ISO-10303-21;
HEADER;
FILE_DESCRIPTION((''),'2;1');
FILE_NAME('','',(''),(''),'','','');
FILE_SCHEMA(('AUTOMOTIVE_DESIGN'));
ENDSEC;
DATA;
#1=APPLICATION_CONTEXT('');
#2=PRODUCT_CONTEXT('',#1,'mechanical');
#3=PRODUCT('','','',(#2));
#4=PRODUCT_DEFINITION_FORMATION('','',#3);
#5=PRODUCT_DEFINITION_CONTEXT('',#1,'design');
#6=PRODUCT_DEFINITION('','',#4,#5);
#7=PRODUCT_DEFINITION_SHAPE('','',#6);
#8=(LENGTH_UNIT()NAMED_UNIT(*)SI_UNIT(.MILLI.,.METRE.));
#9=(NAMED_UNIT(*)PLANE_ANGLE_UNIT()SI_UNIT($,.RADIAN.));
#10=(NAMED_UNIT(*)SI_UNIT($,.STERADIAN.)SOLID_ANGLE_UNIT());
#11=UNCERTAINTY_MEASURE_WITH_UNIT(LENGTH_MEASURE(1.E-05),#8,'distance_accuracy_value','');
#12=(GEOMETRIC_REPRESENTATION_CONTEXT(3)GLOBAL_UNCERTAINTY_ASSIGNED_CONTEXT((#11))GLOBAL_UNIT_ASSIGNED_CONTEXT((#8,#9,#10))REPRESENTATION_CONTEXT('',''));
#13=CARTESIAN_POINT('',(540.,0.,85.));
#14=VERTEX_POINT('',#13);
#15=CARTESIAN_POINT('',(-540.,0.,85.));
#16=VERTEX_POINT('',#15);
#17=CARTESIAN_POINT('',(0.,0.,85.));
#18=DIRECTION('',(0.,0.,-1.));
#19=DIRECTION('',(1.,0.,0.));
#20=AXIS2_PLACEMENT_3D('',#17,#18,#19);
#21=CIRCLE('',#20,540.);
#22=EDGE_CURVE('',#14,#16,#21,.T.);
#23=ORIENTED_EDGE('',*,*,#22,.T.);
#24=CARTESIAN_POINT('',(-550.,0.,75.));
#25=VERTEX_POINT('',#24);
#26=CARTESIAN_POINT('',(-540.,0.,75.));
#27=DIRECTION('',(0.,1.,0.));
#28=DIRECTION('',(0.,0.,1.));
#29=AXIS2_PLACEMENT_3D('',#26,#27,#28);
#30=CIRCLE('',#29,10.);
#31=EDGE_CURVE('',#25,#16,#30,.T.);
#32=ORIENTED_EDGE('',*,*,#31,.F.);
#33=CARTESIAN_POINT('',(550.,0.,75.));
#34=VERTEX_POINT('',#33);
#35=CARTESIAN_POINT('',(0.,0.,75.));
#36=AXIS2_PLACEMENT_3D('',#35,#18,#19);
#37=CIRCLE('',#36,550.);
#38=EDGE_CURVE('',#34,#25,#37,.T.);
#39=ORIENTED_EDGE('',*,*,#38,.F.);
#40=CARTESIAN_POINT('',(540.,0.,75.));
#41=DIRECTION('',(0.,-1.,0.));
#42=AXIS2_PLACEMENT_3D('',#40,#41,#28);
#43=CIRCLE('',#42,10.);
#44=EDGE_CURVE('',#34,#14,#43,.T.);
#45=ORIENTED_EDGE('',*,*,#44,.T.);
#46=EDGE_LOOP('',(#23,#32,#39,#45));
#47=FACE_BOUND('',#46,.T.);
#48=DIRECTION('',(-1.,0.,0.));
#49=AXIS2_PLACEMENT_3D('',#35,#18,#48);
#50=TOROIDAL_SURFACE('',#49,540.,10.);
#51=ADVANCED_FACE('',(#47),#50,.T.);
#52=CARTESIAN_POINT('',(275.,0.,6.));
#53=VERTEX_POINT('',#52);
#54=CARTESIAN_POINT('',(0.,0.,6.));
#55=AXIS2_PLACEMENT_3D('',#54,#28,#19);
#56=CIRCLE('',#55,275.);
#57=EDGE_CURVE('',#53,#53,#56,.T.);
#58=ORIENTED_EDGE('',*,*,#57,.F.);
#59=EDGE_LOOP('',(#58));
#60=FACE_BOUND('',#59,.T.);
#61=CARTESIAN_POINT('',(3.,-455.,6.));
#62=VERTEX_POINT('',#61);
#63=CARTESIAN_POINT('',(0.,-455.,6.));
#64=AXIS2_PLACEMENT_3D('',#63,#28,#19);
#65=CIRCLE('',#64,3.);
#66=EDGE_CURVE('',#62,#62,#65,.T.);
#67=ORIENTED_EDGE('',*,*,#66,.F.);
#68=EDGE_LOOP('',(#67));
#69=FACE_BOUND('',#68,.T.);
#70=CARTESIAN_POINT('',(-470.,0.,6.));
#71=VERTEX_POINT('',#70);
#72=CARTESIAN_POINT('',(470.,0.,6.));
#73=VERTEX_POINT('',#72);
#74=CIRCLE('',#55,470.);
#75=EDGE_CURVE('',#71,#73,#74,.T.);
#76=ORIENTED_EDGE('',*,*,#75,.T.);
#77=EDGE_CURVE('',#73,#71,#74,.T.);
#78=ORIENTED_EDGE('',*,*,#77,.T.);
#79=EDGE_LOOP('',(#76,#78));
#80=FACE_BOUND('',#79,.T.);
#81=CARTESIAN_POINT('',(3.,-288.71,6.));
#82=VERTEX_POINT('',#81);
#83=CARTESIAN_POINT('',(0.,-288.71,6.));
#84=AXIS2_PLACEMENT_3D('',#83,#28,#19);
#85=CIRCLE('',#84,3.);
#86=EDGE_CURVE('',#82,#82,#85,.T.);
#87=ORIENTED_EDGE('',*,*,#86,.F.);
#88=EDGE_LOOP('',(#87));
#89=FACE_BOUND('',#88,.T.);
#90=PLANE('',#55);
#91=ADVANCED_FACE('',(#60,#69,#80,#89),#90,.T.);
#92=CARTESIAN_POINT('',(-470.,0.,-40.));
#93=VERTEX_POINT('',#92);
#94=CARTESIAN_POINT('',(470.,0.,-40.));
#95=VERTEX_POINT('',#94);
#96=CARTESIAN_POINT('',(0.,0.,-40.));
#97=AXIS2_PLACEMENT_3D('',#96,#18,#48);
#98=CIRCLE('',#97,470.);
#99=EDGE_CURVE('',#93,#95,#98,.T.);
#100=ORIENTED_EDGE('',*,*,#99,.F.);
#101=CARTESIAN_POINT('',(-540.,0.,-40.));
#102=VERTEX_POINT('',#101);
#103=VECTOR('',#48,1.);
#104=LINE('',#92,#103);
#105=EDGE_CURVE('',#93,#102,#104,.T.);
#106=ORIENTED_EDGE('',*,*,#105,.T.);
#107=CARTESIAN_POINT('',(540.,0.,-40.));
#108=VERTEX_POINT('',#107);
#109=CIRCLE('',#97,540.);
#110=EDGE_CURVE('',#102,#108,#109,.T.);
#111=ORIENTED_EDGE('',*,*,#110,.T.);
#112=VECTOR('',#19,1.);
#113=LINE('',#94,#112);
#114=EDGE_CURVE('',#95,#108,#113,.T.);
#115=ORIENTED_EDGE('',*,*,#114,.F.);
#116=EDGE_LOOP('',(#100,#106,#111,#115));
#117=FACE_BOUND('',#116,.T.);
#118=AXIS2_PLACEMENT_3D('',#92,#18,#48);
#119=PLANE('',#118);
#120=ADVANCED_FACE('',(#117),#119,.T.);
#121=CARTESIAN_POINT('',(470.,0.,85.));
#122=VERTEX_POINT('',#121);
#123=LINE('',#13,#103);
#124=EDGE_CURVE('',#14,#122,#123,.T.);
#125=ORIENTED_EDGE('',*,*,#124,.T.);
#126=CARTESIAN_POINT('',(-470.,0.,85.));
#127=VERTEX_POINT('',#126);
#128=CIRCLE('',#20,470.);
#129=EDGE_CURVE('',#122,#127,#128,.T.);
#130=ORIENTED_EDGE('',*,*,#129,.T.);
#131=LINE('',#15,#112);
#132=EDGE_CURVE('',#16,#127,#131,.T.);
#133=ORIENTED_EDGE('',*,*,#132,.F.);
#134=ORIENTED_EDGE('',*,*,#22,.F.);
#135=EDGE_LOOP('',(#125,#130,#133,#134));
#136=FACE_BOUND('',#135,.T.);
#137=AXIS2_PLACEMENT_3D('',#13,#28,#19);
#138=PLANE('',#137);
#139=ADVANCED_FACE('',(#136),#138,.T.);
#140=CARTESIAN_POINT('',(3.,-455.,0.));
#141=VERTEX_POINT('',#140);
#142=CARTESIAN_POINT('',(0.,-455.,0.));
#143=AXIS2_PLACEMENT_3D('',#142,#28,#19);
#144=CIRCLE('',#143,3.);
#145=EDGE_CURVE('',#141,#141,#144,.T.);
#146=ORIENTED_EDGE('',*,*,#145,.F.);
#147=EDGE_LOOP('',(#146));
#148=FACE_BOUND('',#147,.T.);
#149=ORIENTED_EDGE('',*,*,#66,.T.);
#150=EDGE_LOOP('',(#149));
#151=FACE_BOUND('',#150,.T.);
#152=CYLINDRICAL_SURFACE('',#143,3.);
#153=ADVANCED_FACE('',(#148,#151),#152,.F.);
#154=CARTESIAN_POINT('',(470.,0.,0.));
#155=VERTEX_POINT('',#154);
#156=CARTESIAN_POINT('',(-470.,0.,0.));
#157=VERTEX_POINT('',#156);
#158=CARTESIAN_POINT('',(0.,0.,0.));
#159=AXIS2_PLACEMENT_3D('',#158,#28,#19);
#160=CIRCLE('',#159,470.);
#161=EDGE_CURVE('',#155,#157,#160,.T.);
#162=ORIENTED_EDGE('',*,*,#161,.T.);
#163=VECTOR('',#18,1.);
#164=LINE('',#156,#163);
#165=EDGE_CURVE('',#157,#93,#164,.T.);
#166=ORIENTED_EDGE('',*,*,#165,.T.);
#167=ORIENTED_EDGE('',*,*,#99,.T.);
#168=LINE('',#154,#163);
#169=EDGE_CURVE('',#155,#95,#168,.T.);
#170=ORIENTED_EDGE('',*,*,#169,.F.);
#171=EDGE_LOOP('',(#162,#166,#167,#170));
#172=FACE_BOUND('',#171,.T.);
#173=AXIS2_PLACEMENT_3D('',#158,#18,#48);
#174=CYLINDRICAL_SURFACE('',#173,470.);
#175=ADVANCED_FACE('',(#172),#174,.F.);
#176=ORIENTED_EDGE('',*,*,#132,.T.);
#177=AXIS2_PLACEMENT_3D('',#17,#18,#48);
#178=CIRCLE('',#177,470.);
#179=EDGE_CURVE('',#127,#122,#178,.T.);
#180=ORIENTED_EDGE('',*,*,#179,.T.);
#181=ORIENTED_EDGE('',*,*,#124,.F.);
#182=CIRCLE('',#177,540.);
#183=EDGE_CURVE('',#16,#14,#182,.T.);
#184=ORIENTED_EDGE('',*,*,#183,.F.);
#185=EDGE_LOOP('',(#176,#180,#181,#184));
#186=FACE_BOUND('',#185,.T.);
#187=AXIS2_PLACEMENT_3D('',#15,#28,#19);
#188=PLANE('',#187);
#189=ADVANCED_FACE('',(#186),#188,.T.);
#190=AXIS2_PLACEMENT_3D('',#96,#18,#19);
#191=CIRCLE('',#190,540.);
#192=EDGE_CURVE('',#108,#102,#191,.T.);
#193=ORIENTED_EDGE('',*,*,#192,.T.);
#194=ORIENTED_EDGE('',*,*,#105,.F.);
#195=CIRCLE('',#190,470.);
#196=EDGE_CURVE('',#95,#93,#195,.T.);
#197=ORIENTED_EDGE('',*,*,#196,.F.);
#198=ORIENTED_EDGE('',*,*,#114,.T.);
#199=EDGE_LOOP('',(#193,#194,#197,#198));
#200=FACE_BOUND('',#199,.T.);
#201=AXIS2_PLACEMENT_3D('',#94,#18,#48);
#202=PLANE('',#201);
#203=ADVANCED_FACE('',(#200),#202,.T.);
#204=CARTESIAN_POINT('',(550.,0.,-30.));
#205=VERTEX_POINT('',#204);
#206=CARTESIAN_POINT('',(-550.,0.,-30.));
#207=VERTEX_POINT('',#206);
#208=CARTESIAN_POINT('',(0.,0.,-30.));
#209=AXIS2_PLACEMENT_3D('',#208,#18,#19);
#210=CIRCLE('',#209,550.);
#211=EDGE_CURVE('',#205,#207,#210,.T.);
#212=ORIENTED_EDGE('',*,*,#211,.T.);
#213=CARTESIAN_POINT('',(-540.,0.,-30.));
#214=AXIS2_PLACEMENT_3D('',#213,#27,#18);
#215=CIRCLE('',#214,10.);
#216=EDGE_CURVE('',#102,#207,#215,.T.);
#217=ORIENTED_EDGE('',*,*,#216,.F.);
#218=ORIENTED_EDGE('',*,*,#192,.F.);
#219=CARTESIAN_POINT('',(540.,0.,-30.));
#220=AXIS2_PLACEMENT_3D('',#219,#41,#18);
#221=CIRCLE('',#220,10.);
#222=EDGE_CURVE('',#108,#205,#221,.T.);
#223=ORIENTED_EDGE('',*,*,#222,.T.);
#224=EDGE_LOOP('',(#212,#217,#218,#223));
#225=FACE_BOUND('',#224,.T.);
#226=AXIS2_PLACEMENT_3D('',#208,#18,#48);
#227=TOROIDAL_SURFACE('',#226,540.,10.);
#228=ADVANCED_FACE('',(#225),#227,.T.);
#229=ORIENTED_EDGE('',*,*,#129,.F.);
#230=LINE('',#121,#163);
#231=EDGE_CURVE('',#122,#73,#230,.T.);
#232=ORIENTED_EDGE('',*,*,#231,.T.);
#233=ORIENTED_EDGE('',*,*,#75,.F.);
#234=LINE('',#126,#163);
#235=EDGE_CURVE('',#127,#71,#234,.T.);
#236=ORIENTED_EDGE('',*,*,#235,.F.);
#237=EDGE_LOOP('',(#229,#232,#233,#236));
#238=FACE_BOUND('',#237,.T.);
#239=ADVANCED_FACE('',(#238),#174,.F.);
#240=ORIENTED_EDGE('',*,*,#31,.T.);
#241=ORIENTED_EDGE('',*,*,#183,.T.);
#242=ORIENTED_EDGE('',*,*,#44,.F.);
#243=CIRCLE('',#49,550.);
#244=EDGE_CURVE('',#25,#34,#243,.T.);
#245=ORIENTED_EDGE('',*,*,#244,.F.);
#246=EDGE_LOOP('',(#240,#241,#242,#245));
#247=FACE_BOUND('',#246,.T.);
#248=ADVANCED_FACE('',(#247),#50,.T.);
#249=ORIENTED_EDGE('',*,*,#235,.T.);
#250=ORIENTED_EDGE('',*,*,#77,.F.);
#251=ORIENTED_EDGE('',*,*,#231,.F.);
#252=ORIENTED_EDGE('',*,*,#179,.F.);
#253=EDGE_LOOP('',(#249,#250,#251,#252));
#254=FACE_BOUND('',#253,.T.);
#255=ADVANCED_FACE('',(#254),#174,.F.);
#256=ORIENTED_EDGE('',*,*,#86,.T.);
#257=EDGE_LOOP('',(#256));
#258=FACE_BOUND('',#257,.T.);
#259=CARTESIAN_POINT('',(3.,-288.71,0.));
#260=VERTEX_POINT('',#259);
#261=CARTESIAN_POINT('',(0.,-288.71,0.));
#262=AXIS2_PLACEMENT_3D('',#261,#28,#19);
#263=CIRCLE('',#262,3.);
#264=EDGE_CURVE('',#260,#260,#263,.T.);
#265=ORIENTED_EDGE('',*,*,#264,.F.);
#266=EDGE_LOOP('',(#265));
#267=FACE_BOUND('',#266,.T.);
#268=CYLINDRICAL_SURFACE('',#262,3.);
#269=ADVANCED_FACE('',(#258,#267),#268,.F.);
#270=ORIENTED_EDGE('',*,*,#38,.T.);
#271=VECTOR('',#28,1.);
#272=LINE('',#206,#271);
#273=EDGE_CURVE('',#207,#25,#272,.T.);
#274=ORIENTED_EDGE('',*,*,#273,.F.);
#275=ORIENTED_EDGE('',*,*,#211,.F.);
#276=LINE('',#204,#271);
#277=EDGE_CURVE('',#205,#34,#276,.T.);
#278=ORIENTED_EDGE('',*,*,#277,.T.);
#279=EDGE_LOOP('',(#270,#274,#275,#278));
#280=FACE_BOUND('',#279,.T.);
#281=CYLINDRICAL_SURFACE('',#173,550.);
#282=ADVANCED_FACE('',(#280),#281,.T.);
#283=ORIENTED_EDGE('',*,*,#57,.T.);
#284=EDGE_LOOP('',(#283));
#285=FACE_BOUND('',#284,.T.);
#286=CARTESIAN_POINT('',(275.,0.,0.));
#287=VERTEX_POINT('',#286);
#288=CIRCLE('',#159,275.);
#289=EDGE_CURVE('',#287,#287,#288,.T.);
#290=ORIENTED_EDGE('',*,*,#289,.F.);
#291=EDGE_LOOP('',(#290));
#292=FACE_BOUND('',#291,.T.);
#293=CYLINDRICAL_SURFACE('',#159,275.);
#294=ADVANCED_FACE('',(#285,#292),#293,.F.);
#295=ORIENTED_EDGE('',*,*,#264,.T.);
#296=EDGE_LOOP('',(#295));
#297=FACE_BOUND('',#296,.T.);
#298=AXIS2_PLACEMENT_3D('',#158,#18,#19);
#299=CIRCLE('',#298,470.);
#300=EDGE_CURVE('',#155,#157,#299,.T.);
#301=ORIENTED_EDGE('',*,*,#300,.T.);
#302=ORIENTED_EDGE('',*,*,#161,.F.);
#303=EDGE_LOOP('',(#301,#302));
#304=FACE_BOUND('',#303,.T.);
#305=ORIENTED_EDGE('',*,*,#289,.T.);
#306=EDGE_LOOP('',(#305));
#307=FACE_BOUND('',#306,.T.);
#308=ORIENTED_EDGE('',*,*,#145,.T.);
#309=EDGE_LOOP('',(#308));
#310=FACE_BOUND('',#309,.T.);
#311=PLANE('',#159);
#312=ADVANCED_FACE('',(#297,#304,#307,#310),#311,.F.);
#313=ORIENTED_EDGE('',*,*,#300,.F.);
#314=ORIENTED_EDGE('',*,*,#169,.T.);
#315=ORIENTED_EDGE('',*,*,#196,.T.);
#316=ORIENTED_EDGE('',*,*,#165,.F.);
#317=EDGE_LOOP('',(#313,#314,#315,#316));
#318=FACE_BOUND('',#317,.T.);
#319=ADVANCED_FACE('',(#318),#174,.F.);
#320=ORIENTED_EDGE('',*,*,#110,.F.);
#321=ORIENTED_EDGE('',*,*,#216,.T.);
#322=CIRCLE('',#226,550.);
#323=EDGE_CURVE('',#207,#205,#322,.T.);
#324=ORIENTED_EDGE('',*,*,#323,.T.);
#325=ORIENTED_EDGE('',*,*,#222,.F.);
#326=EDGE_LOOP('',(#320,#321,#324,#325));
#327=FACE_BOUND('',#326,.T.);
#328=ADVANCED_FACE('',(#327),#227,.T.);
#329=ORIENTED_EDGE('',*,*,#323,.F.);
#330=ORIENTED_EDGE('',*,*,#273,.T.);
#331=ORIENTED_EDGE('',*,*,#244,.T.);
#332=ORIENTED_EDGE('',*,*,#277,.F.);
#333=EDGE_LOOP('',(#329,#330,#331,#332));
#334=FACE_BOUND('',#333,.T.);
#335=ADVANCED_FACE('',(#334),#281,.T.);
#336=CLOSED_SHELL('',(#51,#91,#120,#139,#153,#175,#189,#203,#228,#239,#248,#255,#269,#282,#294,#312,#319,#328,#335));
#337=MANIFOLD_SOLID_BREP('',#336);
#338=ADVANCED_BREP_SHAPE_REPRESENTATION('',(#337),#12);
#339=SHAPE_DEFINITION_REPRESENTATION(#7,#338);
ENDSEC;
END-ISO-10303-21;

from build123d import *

# Parameters (mm, degrees)
ESBO_O1_R                = 470
RESSALTO_EXTRUS_O1_DEPTH = 6
ESBO_O2_R                = 275
CORTE_EXTRUS_O1_DEPTH    = 6
ESBO_O3_R                = 3
CORTE_EXTRUS_O2_DEPTH    = 6


with BuildPart() as part:
    # Esboço1 → Ressalto-extrusão1 (new body)
    with BuildSketch(Plane.XY):
        Circle(ESBO_O1_R)
    extrude(amount=RESSALTO_EXTRUS_O1_DEPTH)

    # Esboço2 → Corte-extrusão1 (cut)
    with BuildSketch(Plane.XY.offset(6)):
        Circle(ESBO_O2_R)
    extrude(amount=-CORTE_EXTRUS_O1_DEPTH, mode=Mode.SUBTRACT)

    # Esboço3 → Corte-extrusão2 (cut)
    with BuildSketch(Plane.XY.offset(6)):
        with Locations((0, -455)):
            Circle(ESBO_O3_R)
        with Locations((0, -288.71)):
            Circle(ESBO_O3_R)
    extrude(amount=-CORTE_EXTRUS_O2_DEPTH, mode=Mode.SUBTRACT)

    # Varredura1: sweep along a curve in space
    with BuildLine() as varredura1_path:
        ThreePointArc((470, 0, 0), (332.340187158, 332.340187158, 0), (0, 470, 0))
        ThreePointArc((0, 470, 0), (-332.340187158, 332.340187158, 0), (-470, 0, 0))
        ThreePointArc((-470, 0, 0), (-332.340187158, -332.340187158, 0), (0, -470, 0))
        ThreePointArc((0, -470, 0), (332.340187158, -332.340187158, 0), (470, 0, 0))
    # Esboço4 → Varredura1 (sweep)
    with BuildSketch(Plane(origin=(0, 0, 0), x_dir=(1, 0, 0), z_dir=(0, 1, 0))):
        with BuildLine():
            Line((-470, 0), (-470, 40))
            Line((-470, 40), (-540, 40))
            ThreePointArc((-540, 40), (-547.071067812, 37.071067812), (-550, 30))
            Line((-550, 30), (-550, -75))
            ThreePointArc((-550, -75), (-547.071067812, -82.071067812), (-540, -85))
            Line((-540, -85), (-470, -85))
            Line((-470, -85), (-470, 0))
        make_face()
    sweep(path=varredura1_path.line)


solid = part.part
